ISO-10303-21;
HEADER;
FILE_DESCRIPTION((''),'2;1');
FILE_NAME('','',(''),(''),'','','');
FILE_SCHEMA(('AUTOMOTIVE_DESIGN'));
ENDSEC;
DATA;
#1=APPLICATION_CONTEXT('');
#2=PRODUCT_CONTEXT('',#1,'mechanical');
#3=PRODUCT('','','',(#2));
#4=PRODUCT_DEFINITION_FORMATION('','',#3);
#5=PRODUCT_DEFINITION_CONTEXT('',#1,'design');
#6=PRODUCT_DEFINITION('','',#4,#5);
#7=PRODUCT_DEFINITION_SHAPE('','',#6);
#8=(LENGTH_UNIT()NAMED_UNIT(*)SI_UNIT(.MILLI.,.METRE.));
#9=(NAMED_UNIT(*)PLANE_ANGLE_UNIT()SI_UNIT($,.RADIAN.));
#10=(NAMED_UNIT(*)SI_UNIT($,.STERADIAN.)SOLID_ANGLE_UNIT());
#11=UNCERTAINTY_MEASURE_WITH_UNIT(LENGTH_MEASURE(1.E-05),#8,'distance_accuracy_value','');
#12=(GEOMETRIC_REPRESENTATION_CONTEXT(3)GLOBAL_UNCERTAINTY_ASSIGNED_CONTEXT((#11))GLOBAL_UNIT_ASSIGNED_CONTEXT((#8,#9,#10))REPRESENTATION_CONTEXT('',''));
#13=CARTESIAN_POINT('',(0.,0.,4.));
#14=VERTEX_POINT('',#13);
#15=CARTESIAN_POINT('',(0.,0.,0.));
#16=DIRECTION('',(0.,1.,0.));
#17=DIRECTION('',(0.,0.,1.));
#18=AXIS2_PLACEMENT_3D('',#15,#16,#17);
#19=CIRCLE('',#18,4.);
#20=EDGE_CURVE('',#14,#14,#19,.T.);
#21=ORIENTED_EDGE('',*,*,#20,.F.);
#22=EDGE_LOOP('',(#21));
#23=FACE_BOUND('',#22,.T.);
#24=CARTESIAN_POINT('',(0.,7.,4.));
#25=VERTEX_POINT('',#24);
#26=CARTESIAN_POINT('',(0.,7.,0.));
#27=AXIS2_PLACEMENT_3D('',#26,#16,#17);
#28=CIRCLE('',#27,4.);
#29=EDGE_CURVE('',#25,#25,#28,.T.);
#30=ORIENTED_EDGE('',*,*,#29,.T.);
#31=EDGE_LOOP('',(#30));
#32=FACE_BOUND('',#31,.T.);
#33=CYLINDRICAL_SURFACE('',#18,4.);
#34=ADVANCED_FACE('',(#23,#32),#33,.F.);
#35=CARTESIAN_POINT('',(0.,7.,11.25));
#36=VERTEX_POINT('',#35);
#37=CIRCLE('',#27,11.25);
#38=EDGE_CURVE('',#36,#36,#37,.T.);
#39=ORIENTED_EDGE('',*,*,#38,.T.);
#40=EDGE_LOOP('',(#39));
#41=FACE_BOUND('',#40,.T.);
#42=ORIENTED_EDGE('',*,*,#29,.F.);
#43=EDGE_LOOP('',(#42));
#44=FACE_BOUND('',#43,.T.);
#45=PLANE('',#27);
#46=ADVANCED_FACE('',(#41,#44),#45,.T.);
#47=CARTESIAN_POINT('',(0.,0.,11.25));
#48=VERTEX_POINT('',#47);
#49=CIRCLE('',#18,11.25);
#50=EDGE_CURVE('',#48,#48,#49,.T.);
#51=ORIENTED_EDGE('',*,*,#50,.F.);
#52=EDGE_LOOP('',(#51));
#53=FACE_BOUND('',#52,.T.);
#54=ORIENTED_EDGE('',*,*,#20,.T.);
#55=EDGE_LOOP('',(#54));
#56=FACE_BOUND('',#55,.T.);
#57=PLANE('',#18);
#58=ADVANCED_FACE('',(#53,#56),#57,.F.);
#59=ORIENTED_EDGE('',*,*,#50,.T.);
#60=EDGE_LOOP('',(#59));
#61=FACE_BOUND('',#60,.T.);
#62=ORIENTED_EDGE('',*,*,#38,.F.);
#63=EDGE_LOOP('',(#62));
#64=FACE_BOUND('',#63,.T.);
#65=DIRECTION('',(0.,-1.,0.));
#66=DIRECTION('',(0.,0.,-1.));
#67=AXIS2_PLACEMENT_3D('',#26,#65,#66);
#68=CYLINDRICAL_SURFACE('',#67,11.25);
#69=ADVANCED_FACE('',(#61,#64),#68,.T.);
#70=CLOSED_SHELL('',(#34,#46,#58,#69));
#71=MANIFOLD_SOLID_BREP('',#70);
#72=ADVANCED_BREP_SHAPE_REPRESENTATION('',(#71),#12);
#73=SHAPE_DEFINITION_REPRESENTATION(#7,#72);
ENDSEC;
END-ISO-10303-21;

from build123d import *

# Parameters (mm, degrees)
SKETCH1_R           = 11.25
BOSS_EXTRUDE1_DEPTH = 7
SKETCH2_R           = 4
CUT_EXTRUDE1_DEPTH  = 7


with BuildPart() as part:
    # Sketch1 → Boss-Extrude1 (new body)
    with BuildSketch(Plane(origin=(0, 0, 0), x_dir=(1, 0, 0), z_dir=(0, 1, 0))):
        Circle(SKETCH1_R)
    extrude(amount=BOSS_EXTRUDE1_DEPTH)

    # Sketch2 → Cut-Extrude1 (cut)
    with BuildSketch(Plane(origin=(0, 7, 0), x_dir=(1, 0, 0), z_dir=(0, 1, 0))):
        Circle(SKETCH2_R)
    extrude(amount=-CUT_EXTRUDE1_DEPTH, mode=Mode.SUBTRACT)


solid = part.part
